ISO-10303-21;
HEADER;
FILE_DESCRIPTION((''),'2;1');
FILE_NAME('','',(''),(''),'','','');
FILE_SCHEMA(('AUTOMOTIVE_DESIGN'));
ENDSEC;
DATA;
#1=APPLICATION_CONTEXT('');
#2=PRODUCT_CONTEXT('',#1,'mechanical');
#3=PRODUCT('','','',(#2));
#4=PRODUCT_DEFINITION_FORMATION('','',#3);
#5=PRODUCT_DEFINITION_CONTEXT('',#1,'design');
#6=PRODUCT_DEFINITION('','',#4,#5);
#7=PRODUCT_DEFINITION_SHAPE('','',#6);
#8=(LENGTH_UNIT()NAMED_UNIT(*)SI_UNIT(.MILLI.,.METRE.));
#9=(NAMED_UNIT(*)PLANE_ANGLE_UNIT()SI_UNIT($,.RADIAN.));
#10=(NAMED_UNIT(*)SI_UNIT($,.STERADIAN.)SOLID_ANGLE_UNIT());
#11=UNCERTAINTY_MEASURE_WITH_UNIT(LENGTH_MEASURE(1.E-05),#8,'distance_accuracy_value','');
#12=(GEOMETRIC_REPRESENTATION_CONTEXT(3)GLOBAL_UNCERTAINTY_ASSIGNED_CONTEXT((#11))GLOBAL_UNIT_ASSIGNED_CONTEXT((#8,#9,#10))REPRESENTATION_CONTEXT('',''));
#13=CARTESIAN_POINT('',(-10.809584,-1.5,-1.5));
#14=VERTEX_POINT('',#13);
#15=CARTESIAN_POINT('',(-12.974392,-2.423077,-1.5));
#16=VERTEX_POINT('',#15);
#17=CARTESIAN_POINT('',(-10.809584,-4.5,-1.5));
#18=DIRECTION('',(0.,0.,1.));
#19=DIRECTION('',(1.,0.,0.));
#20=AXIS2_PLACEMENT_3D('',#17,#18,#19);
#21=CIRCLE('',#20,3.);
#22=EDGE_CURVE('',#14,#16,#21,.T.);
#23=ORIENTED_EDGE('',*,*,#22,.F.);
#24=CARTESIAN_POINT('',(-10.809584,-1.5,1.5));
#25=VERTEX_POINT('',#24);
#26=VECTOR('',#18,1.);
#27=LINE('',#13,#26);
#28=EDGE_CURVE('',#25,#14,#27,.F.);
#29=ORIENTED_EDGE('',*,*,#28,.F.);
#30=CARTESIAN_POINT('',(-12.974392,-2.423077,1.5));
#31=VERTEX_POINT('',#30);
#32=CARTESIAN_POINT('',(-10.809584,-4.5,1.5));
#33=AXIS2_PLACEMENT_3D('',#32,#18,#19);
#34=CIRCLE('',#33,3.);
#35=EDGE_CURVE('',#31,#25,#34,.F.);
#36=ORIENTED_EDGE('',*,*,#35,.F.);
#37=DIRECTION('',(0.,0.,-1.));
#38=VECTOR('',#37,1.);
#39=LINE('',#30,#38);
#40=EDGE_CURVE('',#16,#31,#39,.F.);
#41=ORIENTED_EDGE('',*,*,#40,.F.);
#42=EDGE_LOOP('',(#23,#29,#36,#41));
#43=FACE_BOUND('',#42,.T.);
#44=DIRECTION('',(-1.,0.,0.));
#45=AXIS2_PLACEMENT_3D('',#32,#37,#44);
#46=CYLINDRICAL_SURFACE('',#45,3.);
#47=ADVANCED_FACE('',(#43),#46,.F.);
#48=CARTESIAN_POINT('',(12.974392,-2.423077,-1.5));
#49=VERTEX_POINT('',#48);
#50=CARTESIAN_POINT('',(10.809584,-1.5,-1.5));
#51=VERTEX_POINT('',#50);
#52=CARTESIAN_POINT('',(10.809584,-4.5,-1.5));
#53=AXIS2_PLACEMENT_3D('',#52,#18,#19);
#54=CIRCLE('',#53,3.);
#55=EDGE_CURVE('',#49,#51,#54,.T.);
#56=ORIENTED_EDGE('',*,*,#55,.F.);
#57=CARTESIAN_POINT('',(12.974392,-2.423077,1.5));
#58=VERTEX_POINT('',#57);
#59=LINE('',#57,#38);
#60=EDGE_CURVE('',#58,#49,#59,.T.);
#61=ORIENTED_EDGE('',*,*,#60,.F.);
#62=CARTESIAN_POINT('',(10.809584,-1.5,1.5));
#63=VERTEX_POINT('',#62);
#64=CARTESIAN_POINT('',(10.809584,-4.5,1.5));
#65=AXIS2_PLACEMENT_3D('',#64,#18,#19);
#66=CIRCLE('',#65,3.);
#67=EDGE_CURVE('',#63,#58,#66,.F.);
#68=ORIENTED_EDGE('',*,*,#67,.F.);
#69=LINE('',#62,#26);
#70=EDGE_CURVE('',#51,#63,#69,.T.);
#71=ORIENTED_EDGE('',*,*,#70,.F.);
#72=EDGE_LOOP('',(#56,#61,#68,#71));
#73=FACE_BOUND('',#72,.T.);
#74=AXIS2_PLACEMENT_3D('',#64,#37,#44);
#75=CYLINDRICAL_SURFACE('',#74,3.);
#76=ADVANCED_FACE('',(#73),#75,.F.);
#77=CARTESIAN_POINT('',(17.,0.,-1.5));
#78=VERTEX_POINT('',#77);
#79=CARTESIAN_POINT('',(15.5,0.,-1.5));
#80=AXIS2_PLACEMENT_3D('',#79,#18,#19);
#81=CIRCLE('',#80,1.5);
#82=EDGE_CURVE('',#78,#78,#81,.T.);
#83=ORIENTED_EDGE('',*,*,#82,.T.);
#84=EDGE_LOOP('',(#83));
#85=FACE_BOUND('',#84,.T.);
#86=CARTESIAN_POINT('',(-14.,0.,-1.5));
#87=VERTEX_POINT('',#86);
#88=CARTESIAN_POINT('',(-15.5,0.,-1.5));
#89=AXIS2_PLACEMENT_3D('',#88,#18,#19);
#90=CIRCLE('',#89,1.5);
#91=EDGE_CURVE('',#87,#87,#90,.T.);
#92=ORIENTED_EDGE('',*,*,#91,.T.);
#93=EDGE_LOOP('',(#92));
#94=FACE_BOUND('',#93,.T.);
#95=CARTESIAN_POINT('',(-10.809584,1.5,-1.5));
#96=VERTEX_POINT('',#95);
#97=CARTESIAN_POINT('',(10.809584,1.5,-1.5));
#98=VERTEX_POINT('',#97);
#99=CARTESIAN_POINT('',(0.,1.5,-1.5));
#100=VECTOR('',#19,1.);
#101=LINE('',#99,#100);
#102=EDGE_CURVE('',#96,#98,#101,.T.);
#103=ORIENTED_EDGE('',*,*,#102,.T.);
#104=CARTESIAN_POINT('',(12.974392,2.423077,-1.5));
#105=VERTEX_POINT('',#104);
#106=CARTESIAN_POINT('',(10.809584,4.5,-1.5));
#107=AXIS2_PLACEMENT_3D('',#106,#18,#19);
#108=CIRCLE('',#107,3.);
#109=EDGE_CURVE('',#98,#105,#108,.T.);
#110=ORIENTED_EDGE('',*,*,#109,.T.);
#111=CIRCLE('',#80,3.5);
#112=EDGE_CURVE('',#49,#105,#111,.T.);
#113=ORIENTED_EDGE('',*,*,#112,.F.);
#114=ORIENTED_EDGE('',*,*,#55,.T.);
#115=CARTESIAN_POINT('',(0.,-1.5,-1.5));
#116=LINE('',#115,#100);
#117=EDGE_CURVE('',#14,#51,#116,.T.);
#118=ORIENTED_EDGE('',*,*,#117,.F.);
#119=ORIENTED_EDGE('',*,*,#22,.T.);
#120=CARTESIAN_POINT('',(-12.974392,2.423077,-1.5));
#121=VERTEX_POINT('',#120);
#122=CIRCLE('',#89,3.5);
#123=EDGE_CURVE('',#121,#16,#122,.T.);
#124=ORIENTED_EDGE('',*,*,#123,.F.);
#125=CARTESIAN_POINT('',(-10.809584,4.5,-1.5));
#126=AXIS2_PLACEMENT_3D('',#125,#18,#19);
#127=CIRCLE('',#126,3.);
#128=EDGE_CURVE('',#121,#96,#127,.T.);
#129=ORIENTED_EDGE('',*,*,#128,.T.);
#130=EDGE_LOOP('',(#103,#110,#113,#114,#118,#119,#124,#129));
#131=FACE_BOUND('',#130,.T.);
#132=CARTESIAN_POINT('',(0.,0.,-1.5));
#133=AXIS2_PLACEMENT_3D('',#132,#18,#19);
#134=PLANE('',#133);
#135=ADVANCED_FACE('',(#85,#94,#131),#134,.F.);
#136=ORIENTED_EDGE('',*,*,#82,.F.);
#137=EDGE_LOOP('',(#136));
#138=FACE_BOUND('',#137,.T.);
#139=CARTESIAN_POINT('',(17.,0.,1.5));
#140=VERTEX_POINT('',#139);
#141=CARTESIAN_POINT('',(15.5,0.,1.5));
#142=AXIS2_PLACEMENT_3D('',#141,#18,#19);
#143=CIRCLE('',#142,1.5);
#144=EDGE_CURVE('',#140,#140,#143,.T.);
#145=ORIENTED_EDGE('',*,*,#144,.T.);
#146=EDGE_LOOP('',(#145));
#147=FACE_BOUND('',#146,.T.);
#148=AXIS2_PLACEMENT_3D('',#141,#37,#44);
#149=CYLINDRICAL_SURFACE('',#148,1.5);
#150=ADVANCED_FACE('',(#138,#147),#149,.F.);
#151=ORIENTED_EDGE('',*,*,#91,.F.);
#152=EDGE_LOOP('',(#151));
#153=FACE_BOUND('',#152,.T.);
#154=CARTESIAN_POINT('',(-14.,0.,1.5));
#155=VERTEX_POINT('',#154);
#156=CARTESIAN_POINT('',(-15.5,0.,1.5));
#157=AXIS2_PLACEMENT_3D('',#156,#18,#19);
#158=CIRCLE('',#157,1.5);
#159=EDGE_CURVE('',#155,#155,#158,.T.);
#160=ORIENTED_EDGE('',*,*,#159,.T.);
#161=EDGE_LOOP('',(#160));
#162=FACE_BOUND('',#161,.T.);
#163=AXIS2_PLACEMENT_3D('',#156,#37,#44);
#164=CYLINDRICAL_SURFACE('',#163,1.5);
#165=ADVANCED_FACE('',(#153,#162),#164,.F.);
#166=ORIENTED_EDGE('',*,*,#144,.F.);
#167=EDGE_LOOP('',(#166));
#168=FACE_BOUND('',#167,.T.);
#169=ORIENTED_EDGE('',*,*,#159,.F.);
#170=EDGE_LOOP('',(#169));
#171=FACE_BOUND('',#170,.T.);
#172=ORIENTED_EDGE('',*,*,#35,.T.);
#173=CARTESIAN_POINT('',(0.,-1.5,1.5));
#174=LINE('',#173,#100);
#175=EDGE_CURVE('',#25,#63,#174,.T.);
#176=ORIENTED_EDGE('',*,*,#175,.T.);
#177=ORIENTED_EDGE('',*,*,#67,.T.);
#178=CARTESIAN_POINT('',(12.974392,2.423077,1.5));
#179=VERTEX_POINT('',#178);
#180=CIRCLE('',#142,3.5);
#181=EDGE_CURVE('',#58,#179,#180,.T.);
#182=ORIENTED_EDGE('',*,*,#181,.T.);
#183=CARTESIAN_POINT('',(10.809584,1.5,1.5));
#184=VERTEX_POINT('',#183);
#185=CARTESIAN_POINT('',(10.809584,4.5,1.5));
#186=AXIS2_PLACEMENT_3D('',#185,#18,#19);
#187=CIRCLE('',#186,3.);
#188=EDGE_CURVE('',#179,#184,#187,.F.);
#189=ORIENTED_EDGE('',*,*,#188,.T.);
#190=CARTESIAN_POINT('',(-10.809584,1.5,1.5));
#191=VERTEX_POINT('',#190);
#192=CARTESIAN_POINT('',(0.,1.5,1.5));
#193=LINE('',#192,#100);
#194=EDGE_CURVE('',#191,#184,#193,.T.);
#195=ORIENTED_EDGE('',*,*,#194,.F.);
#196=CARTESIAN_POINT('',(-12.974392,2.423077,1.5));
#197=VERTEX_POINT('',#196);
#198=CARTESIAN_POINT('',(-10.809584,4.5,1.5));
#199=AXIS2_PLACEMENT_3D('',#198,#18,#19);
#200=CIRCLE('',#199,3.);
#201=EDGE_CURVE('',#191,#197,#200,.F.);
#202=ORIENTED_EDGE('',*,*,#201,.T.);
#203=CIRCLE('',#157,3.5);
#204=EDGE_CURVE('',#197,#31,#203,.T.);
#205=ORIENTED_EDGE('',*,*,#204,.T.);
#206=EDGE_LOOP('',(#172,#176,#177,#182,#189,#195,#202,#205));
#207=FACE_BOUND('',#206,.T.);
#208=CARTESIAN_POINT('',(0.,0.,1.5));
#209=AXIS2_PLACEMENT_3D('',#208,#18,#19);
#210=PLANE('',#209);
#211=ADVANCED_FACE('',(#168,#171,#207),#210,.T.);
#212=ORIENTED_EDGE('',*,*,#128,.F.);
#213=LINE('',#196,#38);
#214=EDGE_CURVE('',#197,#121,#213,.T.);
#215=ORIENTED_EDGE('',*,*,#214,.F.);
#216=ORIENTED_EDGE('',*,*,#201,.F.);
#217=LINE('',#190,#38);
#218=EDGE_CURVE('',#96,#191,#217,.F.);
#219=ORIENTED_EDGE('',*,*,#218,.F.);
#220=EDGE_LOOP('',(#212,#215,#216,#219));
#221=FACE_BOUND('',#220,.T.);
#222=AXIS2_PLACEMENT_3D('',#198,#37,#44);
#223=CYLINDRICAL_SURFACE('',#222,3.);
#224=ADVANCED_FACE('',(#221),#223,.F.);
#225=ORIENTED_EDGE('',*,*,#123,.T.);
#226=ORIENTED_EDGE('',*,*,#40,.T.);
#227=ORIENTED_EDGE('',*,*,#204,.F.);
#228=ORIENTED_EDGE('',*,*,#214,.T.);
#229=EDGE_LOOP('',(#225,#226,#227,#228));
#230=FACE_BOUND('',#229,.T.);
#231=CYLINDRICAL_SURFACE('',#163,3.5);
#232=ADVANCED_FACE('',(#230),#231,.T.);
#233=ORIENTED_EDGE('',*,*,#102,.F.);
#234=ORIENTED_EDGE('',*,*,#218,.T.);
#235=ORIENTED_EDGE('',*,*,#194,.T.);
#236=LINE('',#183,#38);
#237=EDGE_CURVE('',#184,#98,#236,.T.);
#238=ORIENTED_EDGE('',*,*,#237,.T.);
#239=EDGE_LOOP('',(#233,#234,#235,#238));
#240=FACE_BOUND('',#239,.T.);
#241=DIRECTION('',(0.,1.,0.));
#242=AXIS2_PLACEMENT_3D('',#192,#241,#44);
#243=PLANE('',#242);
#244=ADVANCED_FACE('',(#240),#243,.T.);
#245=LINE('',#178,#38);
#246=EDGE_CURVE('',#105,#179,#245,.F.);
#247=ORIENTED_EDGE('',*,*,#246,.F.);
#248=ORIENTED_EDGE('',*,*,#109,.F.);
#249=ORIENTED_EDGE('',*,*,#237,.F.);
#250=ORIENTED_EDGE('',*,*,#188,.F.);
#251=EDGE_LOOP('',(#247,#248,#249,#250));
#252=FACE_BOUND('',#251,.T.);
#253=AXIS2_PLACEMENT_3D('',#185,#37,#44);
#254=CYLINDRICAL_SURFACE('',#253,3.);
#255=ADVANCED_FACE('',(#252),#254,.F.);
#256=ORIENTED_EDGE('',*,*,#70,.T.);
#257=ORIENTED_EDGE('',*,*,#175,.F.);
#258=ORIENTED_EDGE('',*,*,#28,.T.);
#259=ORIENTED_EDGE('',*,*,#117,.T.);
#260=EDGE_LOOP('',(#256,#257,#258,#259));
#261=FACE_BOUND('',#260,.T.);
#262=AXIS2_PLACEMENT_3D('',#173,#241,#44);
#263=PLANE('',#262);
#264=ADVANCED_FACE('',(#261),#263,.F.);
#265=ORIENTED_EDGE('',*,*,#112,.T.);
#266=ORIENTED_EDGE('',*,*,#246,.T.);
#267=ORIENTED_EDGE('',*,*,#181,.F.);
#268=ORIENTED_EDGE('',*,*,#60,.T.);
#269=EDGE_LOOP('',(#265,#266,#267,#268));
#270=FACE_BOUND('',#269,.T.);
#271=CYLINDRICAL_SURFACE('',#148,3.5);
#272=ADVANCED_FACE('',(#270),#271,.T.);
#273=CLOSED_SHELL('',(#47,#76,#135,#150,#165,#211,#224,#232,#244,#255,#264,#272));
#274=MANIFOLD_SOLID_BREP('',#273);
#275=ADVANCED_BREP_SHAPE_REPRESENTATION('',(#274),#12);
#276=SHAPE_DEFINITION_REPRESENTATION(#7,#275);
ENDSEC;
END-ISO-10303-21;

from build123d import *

# Parameters (mm, degrees)
SKETCH1_R           = 3.5
SKETCH1_R_2         = 1.5
BOSS_EXTRUDE1_DEPTH = 1.5
FILLET1_R           = 3


with BuildPart() as part:
    # Sketch1 → Boss-Extrude1 (new body, symmetric)
    with BuildSketch(Plane.XY):
        with Locations((-15.5, 0)):
            Circle(SKETCH1_R)
        with Locations((-15.5, 0)):
            Circle(SKETCH1_R_2, mode=Mode.SUBTRACT)
        with BuildLine():
            Line((12.33772234, 1.5), (-12.33772234, 1.5))
            ThreePointArc((-12.33772234, 1.5), (-12.085474278, 0.768774411), (-12, 0))
            ThreePointArc((-12, 0), (-12.085474278, -0.768774411), (-12.33772234, -1.5))
            Line((-12.33772234, -1.5), (12.33772234, -1.5))
            ThreePointArc((12.33772234, -1.5), (12, 0), (12.33772234, 1.5))
        make_face()
        with Locations((15.5, 0)):
            Circle(SKETCH1_R)
        with Locations((15.5, 0)):
            Circle(SKETCH1_R_2, mode=Mode.SUBTRACT)
    extrude(amount=BOSS_EXTRUDE1_DEPTH, both=True)

    # Fillet1
    fillet1_edges = [part.edges().sort_by_distance(p)[0] for p in [
        (-12.33772234, 1.5, 0),
        (12.33772234, 1.5, 0),
        (12.33772234, -1.5, 0),
        (-12.33772234, -1.5, 0),
    ]]
    fillet(fillet1_edges, radius=FILLET1_R)


solid = part.part
